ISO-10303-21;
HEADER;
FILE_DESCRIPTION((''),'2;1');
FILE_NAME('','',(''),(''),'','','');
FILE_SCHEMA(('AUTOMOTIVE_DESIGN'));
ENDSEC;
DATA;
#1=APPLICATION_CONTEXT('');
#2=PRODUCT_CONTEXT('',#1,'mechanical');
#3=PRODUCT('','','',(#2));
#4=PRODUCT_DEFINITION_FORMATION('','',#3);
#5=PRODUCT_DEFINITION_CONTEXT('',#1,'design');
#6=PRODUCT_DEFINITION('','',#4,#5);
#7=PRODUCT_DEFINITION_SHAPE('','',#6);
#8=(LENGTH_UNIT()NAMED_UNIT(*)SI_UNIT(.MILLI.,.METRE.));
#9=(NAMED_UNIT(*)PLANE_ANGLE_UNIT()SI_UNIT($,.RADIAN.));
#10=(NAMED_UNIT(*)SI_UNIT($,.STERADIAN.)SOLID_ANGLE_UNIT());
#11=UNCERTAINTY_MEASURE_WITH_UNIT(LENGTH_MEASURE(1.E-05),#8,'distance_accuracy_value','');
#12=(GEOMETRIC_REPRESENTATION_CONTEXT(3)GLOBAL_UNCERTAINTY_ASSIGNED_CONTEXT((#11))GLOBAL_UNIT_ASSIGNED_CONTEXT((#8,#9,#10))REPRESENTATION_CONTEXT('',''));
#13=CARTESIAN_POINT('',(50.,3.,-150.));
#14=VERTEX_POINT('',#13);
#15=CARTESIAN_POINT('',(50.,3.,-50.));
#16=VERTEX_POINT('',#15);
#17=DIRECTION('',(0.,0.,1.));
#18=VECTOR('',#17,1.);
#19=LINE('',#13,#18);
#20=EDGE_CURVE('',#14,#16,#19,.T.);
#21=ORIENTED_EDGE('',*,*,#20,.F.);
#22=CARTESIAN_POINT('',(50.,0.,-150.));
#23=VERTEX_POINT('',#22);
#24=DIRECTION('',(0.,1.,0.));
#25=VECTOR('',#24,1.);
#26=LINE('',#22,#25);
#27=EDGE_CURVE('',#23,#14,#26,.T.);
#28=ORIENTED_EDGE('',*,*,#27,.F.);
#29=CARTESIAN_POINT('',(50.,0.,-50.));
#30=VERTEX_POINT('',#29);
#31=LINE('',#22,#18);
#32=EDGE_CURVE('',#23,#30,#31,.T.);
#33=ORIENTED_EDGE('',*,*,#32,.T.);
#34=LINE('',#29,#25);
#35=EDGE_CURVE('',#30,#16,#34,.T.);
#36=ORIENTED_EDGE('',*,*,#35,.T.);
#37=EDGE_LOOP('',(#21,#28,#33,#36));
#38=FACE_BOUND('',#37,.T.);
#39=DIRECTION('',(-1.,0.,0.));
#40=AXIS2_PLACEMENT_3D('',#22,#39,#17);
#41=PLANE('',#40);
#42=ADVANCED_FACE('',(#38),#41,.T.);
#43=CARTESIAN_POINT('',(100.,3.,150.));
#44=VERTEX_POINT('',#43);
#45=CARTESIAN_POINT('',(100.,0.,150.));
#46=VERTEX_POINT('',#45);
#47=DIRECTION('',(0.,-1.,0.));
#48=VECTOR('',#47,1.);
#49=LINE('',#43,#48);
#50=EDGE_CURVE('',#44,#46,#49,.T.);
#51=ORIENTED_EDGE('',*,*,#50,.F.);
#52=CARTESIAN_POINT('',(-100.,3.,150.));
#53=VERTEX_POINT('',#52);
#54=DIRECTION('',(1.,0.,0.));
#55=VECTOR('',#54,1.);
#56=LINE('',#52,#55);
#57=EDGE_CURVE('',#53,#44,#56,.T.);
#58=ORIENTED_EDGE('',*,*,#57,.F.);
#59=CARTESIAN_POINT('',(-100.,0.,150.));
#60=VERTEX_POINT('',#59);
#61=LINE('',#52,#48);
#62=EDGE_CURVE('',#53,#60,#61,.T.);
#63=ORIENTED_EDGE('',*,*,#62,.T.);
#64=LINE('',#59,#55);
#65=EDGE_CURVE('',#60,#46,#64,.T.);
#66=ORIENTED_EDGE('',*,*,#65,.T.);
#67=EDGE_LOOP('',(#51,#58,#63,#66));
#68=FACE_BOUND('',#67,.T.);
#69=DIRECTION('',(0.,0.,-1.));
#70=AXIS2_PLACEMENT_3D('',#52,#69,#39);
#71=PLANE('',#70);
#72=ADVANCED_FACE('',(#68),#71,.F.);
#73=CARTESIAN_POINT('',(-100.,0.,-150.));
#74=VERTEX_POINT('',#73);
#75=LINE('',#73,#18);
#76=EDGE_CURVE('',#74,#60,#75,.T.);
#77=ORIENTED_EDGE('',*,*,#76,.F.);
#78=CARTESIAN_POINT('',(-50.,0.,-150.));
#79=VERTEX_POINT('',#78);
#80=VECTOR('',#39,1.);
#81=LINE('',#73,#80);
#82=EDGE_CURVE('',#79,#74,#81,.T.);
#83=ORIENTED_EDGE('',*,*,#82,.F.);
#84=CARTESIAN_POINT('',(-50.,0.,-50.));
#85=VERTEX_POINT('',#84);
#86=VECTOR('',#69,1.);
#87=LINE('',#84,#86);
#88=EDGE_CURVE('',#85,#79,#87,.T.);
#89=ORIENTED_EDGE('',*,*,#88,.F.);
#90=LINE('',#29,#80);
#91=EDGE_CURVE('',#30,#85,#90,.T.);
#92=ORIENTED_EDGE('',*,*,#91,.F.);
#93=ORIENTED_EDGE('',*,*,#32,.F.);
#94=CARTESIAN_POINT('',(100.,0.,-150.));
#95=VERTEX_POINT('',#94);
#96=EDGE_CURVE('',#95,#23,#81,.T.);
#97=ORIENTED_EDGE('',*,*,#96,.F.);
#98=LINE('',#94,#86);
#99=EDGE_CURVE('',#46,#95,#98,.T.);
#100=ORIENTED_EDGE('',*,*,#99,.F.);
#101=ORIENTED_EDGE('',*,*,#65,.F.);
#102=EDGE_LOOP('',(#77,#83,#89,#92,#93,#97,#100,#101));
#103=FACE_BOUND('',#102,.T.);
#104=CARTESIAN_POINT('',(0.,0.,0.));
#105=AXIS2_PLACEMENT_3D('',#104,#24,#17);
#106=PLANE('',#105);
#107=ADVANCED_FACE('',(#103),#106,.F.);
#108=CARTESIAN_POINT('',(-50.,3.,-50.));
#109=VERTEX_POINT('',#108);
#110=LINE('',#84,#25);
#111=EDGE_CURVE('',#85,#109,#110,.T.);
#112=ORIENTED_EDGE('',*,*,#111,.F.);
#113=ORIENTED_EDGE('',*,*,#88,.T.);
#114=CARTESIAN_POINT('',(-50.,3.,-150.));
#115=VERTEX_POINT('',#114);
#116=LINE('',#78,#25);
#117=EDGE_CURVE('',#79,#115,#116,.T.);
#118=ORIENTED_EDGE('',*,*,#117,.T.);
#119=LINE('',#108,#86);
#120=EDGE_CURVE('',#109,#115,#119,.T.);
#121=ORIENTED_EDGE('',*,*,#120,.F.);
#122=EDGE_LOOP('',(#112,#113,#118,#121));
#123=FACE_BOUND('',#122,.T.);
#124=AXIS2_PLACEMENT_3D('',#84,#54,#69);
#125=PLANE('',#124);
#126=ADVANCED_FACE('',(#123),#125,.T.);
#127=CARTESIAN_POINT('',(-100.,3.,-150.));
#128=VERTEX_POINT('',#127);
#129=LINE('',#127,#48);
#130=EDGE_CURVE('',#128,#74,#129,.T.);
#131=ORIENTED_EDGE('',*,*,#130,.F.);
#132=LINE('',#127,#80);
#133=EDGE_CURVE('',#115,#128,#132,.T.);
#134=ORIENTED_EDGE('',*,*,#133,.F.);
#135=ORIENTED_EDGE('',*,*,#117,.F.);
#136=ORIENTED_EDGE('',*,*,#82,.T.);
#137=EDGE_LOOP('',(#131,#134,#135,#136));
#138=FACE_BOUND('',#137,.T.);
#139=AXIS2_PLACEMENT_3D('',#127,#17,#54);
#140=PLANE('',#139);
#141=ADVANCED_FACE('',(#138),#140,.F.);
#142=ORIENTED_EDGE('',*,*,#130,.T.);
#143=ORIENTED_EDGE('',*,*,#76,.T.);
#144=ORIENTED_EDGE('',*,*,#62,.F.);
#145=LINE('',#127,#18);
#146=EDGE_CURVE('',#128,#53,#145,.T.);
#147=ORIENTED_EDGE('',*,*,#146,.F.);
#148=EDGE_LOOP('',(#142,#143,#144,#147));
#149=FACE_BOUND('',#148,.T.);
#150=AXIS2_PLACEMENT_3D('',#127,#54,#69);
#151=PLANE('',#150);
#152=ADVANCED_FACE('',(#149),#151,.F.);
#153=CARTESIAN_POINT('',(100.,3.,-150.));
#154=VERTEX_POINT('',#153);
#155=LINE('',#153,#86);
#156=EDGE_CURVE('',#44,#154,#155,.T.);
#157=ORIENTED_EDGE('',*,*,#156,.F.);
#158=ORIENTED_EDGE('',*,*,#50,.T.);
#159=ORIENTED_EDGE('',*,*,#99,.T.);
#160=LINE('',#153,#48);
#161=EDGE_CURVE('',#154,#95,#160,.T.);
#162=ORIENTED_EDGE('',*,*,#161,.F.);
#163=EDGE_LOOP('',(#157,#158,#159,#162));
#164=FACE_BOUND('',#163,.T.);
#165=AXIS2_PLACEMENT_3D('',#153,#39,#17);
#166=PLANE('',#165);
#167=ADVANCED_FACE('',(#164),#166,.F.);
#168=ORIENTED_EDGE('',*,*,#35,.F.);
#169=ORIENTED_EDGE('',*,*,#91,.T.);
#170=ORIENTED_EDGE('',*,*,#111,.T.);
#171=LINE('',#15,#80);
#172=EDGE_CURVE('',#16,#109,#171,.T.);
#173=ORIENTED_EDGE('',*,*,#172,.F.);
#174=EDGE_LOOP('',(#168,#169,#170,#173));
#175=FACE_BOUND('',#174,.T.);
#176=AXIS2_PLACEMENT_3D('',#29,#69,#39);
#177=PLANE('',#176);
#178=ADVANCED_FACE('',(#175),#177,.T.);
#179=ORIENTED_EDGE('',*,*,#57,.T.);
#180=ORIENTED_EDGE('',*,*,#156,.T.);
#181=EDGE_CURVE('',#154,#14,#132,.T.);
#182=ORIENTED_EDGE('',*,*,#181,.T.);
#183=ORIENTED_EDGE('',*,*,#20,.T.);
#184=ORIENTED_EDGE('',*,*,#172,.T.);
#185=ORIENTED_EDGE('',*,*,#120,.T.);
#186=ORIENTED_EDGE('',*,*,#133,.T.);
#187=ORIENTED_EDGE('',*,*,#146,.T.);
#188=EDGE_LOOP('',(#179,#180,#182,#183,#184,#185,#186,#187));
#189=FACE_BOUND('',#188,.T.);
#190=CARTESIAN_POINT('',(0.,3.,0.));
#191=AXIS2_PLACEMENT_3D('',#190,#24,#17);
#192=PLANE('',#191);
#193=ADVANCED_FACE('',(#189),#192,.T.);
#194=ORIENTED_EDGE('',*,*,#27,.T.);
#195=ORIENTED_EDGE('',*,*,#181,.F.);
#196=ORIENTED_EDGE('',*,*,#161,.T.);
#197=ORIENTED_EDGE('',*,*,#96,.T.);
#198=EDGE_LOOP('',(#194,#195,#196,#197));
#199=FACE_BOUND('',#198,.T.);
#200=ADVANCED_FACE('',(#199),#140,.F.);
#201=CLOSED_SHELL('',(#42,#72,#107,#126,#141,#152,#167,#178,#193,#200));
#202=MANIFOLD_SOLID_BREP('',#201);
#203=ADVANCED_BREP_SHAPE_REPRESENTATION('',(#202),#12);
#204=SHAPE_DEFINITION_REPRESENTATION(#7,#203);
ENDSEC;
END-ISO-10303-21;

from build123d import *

# Parameters (mm, degrees)
SKETCH1_W           = 200
SKETCH1_H           = 300
BOSS_EXTRUDE1_DEPTH = 3
CUT_EXTRUDE1_DEPTH  = 181.302523554


with BuildPart() as part:
    # Sketch1 → Boss-Extrude1 (new body)
    with BuildSketch(Plane(origin=(0, 0, 0), x_dir=(1, 0, 0), z_dir=(0, 1, 0))):
        Rectangle(SKETCH1_W, SKETCH1_H)
    extrude(amount=BOSS_EXTRUDE1_DEPTH)

    # Sketch3 → Cut-Extrude1 (cut, through all)
    with BuildSketch(Plane(origin=(0, 3, 0), x_dir=(1, 0, 0), z_dir=(0, 1, 0))):
        Polygon((0, 150), (50, 150), (50, 50), (-50, 50), (-50, 150), align=None)
    extrude(amount=-CUT_EXTRUDE1_DEPTH, mode=Mode.SUBTRACT)


solid = part.part
